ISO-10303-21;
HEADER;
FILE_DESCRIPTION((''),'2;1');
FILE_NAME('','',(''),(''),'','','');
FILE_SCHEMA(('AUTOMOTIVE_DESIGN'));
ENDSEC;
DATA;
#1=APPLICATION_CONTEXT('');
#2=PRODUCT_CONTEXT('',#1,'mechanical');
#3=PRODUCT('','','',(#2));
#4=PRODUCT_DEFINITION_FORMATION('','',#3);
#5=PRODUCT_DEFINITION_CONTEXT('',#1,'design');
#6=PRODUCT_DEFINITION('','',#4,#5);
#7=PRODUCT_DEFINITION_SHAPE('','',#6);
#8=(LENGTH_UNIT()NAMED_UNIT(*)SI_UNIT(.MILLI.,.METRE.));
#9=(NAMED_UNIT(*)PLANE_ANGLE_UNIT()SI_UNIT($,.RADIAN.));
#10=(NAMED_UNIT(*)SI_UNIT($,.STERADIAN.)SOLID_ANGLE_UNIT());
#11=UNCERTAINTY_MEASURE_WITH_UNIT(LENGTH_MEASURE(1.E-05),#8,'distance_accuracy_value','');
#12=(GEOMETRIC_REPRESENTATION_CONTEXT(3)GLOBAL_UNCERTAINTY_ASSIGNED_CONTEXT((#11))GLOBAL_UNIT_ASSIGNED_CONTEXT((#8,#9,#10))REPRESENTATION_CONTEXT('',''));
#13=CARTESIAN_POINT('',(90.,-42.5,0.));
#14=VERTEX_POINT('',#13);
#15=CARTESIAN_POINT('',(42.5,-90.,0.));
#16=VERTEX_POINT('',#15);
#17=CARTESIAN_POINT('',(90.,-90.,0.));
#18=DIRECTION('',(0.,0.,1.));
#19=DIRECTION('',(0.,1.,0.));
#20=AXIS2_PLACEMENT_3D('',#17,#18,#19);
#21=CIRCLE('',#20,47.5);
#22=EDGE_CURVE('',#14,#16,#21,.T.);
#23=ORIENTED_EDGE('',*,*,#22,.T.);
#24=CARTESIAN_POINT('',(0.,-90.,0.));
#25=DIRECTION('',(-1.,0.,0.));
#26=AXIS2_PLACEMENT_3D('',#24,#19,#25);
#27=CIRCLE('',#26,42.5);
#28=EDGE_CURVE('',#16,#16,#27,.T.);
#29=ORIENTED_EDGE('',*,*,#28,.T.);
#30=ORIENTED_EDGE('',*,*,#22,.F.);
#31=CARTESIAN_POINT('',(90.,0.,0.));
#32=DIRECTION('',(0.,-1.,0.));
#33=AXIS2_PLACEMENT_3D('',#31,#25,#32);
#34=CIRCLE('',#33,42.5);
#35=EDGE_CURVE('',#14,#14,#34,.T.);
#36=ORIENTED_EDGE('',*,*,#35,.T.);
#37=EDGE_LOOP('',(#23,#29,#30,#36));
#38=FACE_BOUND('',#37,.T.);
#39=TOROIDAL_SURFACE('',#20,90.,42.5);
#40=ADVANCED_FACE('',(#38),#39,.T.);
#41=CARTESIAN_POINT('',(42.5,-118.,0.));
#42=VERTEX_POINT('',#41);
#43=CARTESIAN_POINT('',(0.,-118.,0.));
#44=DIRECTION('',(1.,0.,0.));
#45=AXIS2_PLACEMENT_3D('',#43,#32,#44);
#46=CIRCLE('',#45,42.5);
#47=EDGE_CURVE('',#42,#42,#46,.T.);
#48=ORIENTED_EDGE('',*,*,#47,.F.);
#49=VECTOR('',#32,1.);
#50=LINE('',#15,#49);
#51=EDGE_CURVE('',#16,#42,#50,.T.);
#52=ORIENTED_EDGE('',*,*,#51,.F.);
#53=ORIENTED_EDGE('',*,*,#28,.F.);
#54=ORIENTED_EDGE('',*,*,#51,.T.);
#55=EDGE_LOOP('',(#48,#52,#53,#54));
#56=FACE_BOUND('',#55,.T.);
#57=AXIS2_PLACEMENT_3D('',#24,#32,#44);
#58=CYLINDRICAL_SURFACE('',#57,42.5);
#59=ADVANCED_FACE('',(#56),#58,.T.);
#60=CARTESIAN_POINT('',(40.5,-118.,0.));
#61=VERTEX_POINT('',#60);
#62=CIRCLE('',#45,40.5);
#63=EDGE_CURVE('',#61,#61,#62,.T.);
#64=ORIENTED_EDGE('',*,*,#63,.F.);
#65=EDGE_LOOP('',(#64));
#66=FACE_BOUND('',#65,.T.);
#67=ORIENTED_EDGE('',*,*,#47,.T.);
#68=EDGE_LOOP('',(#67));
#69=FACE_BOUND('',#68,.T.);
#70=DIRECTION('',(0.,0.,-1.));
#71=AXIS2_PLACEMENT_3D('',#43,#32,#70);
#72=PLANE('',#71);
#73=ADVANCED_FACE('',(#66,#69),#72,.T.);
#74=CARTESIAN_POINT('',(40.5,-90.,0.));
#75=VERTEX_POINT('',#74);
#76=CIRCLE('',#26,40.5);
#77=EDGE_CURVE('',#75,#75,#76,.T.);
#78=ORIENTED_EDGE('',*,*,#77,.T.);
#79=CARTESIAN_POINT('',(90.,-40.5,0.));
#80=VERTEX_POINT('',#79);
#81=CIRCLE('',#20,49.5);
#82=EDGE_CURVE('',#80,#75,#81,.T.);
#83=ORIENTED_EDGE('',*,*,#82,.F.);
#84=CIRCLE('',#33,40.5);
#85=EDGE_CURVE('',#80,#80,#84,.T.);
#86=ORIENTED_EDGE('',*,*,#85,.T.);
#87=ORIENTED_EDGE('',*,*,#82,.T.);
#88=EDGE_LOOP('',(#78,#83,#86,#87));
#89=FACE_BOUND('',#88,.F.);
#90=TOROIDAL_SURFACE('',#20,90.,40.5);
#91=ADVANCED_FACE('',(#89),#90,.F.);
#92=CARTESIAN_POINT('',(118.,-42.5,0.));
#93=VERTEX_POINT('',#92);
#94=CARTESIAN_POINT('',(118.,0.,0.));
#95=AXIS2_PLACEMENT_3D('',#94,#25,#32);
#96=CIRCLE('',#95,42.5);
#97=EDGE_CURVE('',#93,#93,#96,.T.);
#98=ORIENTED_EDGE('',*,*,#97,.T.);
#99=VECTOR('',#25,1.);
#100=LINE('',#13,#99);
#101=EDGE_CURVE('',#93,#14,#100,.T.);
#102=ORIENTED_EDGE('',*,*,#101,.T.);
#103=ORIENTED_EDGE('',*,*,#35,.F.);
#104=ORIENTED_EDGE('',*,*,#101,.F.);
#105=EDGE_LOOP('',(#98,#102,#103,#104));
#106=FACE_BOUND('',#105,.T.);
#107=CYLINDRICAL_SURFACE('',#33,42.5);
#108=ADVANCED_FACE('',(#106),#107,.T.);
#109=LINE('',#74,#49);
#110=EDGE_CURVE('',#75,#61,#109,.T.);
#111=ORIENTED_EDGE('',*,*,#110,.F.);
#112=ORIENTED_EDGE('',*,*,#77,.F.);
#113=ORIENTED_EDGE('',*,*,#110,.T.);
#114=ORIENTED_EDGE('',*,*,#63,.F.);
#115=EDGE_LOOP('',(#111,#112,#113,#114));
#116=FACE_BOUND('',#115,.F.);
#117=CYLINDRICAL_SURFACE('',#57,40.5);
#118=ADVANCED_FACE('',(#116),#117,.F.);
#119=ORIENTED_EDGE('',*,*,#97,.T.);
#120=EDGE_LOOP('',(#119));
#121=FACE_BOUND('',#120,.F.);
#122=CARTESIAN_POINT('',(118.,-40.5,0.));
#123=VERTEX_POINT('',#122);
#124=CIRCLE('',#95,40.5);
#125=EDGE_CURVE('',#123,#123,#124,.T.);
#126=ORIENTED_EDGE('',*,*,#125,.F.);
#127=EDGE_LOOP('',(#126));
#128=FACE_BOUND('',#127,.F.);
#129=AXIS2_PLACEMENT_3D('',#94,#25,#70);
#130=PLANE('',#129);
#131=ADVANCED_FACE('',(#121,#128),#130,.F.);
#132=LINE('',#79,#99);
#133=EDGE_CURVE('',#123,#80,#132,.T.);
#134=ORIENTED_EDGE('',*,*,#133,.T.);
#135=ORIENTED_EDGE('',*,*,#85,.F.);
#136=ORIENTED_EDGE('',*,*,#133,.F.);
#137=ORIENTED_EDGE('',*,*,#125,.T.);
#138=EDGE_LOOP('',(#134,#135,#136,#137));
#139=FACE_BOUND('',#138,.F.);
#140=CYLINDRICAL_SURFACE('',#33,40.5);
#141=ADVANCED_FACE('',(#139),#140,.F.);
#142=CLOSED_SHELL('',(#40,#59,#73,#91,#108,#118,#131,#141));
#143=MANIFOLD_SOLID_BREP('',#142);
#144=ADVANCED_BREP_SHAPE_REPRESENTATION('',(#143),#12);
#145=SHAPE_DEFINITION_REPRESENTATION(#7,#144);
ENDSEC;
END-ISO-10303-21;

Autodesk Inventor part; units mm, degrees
ref_plane "YZ Plane" through (0, 0, 0) normal (1, 0, 0) x (0, 1, 0)
ref_plane "XZ Plane" through (0, 0, 0) normal (0, 1, 0) x (-1, 0, 0)
sketch "Szkic6" plane through (0, 0, 0) normal (0, 0, 1) x (1, 0, 0)
  line L0 (-29.6067, 0) -> (35.2678, 0) construction
  line L1 (0, 42.3419) -> (0, -58.3726) construction
  arc A0 (90, 0) -> (0, -90) centre (90, -90) ccw
  line L2 (0, -90) -> (90, -90) construction
  line L3 (90, -90) -> (90, -24.4669) construction
  line L4 (90, 0) -> (118, 0)
  line L5 (0, -90) -> (0, -118)
  point P0 (0, 0)
  dimension "d24" = 90
  dimension "d31" = 90
  dimension "d36" = 28
  dimension "d37" = 28
ref_plane "Płaszczyzna konstrukcyjna2" through (0, -90, 0) normal (0, -1, 0) x (1, 0, 0)
sketch "Szkic8" plane through (0, -90, 0) normal (0, -1, 0) x (1, 0, 0)
  circle A0 centre (0, 0) radius 42.5
  circle A1 centre (0, 0) radius 40.5
  dimension "d32" = 85
  dimension "d33" = 2
sweep "Przeciągnięcie2" add profiles "Szkic8" path "Szkic6"
equation "\"d32\" = OD"
equation "\"d33\" = THK"
equation "\"d24\" = R"
equation "\"d31\" = KAT"
equation "\"d36\" = PROSTKA"
equation "\"d37\" = PROSTKA"
equation "\"SzerokośćGięciaPodcięcia\" = Grubość"
equation "\"RozmiarPodcięciaNarożnika\" = 4 * Grubość"
equation "\"PromieńPrzejścia\" = PromieńGięcia"
equation "\"Rozmiar_promienia_Jacobiego\" = PromieńGięcia"
equation "\"Wielk_odstępu\" = Grubość"
equation "\"d2\" = PromieńGięcia"
equation "\"d23\" = PromieńGięcia"
equation "\"R\" = 90"
equation "\"OD\" = 85"
equation "\"THK\" = 2"
equation "\"KAT\" = 90deg"
equation "\"PROSTKA\" = 28"
equation "\"Grubość\" = 1.5"
equation "\"PromieńGięcia\" = 3"
properties part number "Kolano 90° ø85x2 R90" material "304L"
